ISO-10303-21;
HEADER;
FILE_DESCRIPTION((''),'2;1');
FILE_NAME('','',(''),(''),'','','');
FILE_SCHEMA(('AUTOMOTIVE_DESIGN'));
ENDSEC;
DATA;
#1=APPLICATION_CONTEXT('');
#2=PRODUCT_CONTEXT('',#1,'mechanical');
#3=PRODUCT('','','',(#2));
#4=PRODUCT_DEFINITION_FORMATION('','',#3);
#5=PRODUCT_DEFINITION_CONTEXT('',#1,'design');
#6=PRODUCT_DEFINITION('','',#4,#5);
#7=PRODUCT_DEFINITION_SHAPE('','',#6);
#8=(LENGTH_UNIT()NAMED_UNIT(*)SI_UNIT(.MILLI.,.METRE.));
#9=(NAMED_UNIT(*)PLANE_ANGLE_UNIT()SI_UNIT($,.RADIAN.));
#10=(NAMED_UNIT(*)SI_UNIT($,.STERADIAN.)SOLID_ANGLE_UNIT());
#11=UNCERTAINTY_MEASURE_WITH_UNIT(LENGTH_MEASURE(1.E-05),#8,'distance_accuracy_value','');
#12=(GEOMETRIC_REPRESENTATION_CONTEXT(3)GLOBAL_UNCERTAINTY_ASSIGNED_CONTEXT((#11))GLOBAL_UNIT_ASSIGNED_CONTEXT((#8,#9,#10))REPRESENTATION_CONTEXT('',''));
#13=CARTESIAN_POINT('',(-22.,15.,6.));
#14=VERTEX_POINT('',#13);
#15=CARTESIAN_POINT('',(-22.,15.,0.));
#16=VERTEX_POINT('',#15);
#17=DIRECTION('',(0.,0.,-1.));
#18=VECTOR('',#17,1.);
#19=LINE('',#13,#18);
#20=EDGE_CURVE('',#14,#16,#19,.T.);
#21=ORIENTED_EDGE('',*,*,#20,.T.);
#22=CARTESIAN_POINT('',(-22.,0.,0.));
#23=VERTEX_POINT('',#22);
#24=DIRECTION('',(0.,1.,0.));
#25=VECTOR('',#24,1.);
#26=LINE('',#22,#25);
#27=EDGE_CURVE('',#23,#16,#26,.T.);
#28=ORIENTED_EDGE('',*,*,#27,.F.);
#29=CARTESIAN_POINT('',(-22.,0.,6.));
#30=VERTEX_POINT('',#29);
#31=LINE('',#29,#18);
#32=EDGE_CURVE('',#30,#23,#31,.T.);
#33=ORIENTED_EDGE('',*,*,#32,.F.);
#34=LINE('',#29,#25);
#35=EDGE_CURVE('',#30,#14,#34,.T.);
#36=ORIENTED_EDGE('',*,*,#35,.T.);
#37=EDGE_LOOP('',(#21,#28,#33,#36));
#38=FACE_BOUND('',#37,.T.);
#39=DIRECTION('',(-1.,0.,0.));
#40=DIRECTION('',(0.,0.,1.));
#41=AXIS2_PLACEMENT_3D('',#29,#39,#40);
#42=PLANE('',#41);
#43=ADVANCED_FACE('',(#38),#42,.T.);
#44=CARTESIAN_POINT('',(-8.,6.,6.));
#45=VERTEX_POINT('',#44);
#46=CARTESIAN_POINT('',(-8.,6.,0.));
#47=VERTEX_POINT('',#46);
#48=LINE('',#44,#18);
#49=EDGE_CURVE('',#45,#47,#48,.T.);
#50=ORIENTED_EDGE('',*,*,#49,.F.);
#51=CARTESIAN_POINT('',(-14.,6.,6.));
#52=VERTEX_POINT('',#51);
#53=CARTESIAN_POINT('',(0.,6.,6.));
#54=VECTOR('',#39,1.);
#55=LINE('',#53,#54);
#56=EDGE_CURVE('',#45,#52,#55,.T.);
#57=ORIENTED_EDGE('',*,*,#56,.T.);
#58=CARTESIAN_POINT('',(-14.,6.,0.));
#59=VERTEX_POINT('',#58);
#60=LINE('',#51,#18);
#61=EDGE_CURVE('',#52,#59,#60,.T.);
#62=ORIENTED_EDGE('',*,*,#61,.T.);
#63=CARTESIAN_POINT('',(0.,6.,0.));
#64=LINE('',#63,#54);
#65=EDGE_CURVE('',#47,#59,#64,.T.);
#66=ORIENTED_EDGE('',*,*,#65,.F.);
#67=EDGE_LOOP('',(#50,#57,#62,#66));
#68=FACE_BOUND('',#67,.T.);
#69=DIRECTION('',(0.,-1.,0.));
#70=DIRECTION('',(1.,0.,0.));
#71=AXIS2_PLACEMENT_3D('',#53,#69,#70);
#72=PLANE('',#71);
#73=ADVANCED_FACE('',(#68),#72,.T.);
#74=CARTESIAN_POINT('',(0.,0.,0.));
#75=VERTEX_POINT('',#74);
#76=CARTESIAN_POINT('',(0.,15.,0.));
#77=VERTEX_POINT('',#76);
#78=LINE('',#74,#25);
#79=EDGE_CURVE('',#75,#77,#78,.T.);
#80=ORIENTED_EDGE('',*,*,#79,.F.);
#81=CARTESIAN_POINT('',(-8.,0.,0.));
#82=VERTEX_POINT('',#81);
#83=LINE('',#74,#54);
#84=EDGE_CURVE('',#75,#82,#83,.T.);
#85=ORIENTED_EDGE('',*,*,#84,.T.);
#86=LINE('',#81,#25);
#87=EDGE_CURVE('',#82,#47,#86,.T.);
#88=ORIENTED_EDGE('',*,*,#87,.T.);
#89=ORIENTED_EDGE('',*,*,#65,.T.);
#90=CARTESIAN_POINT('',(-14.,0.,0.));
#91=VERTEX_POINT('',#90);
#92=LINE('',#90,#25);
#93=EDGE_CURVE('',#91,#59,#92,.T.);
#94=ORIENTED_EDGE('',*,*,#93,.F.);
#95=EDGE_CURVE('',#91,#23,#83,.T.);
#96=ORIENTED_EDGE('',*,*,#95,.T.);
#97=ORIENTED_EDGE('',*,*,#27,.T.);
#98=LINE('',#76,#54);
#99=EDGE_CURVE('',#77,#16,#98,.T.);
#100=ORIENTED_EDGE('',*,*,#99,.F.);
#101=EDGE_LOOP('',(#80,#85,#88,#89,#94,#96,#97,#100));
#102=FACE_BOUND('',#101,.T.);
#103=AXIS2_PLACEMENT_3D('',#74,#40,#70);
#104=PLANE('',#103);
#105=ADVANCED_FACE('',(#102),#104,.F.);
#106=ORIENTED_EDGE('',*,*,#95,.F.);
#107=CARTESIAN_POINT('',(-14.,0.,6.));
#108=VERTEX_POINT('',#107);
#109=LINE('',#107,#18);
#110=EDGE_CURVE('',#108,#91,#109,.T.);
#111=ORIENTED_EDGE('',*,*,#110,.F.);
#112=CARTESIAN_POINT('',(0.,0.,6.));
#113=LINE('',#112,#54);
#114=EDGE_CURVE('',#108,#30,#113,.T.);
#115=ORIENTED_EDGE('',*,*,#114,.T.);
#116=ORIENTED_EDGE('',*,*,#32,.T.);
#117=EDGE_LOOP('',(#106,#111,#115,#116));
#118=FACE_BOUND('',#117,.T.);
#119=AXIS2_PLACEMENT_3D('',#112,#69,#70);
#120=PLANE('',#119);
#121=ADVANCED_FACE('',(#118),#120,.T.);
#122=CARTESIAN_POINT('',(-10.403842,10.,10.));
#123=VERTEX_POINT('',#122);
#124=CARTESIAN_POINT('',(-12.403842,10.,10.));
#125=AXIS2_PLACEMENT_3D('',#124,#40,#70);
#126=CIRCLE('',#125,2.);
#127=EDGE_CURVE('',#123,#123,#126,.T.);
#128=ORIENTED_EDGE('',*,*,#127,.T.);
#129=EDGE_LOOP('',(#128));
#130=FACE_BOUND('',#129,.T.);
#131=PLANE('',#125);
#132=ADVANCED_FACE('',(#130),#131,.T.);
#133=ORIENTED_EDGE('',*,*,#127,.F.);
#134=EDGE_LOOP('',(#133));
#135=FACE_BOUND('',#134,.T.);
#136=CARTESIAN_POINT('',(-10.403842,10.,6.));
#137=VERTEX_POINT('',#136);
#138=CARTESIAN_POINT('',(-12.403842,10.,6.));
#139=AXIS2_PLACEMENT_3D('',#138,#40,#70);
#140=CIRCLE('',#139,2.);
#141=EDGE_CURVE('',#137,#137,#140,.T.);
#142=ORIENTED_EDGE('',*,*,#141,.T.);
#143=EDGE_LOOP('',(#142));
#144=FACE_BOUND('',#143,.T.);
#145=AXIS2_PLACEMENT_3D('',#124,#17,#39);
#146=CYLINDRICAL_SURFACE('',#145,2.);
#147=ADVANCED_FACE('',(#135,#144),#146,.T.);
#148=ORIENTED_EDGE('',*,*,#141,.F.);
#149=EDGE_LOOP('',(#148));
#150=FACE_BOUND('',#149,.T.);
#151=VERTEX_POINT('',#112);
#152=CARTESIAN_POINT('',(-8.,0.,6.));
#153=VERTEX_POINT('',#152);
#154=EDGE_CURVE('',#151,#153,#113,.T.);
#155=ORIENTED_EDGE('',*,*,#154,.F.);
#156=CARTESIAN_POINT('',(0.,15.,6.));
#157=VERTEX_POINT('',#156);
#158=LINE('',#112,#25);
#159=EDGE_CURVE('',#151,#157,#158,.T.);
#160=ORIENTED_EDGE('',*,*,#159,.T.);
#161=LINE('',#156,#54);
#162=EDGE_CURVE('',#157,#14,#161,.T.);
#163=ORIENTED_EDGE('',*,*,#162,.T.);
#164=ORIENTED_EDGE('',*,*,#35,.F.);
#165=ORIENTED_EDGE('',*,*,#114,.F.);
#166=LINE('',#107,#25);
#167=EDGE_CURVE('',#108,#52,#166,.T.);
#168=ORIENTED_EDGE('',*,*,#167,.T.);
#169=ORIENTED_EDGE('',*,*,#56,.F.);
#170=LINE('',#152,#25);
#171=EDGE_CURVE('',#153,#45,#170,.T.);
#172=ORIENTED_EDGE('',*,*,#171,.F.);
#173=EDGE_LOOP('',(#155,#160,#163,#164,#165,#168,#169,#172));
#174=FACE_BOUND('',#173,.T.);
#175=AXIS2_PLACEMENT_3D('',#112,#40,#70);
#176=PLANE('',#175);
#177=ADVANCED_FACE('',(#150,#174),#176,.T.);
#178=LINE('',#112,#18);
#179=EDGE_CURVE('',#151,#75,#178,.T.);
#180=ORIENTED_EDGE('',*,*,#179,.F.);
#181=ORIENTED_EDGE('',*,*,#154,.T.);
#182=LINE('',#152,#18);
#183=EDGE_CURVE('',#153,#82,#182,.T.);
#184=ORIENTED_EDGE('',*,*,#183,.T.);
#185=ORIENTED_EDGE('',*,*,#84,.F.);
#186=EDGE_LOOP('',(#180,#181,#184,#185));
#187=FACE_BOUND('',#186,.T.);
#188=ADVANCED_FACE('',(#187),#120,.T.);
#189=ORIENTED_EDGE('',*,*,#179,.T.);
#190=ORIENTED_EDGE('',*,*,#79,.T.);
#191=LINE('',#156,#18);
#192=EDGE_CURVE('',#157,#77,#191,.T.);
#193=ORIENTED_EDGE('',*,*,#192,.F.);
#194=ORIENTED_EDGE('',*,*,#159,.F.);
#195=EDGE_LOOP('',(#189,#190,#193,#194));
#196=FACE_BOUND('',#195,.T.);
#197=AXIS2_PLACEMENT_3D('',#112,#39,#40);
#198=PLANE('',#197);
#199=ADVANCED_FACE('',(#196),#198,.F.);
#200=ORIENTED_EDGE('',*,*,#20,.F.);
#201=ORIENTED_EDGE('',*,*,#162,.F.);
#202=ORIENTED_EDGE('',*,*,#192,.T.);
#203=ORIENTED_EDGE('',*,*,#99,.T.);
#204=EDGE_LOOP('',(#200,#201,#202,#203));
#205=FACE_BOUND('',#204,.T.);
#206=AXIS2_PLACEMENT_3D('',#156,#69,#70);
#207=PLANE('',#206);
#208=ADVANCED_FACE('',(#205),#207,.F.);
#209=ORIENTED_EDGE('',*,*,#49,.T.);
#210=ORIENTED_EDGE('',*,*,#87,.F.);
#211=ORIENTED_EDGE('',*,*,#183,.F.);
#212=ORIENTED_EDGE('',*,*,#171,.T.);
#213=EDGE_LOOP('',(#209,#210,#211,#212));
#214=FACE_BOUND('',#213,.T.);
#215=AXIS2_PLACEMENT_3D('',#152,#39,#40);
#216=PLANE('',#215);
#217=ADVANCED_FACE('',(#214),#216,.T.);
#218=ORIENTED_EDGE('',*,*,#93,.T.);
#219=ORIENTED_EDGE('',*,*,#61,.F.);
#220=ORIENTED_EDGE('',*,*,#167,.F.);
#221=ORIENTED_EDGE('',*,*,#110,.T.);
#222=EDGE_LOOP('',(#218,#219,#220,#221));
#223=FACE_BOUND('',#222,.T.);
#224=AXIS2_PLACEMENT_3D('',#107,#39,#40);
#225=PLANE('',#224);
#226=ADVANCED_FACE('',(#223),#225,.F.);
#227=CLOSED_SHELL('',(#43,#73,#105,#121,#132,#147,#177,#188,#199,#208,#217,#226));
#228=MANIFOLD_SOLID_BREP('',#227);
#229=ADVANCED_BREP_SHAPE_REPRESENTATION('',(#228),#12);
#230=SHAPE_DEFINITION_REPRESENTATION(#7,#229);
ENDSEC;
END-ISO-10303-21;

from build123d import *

# Parameters (mm, degrees)
ESQUISSE1_W        = 8
ESQUISSE1_H        = 6
BOSS_EXTRU_1_DEPTH = 6
ESQUISSE2_R        = 2
BOSS_EXTRU_2_DEPTH = 4


with BuildPart() as part:
    # Esquisse1 → Boss.-Extru.1 (new body)
    with BuildSketch(Plane.XY):
        Polygon((-8, 6), (0, 6), (0, 15), (-22, 15), (-22, 6), (-14, 6), align=None)
        with Locations((-4, 3)):
            Rectangle(ESQUISSE1_W, ESQUISSE1_H)
        with Locations((-18, 3)):
            Rectangle(ESQUISSE1_W, ESQUISSE1_H)
    extrude(amount=BOSS_EXTRU_1_DEPTH)

    # Esquisse2 → Boss.-Extru.2 (add)
    with BuildSketch(Plane.XY.offset(6)):
        with Locations((-12.403841621, 10)):
            Circle(ESQUISSE2_R)
    extrude(amount=BOSS_EXTRU_2_DEPTH)


solid = part.part
